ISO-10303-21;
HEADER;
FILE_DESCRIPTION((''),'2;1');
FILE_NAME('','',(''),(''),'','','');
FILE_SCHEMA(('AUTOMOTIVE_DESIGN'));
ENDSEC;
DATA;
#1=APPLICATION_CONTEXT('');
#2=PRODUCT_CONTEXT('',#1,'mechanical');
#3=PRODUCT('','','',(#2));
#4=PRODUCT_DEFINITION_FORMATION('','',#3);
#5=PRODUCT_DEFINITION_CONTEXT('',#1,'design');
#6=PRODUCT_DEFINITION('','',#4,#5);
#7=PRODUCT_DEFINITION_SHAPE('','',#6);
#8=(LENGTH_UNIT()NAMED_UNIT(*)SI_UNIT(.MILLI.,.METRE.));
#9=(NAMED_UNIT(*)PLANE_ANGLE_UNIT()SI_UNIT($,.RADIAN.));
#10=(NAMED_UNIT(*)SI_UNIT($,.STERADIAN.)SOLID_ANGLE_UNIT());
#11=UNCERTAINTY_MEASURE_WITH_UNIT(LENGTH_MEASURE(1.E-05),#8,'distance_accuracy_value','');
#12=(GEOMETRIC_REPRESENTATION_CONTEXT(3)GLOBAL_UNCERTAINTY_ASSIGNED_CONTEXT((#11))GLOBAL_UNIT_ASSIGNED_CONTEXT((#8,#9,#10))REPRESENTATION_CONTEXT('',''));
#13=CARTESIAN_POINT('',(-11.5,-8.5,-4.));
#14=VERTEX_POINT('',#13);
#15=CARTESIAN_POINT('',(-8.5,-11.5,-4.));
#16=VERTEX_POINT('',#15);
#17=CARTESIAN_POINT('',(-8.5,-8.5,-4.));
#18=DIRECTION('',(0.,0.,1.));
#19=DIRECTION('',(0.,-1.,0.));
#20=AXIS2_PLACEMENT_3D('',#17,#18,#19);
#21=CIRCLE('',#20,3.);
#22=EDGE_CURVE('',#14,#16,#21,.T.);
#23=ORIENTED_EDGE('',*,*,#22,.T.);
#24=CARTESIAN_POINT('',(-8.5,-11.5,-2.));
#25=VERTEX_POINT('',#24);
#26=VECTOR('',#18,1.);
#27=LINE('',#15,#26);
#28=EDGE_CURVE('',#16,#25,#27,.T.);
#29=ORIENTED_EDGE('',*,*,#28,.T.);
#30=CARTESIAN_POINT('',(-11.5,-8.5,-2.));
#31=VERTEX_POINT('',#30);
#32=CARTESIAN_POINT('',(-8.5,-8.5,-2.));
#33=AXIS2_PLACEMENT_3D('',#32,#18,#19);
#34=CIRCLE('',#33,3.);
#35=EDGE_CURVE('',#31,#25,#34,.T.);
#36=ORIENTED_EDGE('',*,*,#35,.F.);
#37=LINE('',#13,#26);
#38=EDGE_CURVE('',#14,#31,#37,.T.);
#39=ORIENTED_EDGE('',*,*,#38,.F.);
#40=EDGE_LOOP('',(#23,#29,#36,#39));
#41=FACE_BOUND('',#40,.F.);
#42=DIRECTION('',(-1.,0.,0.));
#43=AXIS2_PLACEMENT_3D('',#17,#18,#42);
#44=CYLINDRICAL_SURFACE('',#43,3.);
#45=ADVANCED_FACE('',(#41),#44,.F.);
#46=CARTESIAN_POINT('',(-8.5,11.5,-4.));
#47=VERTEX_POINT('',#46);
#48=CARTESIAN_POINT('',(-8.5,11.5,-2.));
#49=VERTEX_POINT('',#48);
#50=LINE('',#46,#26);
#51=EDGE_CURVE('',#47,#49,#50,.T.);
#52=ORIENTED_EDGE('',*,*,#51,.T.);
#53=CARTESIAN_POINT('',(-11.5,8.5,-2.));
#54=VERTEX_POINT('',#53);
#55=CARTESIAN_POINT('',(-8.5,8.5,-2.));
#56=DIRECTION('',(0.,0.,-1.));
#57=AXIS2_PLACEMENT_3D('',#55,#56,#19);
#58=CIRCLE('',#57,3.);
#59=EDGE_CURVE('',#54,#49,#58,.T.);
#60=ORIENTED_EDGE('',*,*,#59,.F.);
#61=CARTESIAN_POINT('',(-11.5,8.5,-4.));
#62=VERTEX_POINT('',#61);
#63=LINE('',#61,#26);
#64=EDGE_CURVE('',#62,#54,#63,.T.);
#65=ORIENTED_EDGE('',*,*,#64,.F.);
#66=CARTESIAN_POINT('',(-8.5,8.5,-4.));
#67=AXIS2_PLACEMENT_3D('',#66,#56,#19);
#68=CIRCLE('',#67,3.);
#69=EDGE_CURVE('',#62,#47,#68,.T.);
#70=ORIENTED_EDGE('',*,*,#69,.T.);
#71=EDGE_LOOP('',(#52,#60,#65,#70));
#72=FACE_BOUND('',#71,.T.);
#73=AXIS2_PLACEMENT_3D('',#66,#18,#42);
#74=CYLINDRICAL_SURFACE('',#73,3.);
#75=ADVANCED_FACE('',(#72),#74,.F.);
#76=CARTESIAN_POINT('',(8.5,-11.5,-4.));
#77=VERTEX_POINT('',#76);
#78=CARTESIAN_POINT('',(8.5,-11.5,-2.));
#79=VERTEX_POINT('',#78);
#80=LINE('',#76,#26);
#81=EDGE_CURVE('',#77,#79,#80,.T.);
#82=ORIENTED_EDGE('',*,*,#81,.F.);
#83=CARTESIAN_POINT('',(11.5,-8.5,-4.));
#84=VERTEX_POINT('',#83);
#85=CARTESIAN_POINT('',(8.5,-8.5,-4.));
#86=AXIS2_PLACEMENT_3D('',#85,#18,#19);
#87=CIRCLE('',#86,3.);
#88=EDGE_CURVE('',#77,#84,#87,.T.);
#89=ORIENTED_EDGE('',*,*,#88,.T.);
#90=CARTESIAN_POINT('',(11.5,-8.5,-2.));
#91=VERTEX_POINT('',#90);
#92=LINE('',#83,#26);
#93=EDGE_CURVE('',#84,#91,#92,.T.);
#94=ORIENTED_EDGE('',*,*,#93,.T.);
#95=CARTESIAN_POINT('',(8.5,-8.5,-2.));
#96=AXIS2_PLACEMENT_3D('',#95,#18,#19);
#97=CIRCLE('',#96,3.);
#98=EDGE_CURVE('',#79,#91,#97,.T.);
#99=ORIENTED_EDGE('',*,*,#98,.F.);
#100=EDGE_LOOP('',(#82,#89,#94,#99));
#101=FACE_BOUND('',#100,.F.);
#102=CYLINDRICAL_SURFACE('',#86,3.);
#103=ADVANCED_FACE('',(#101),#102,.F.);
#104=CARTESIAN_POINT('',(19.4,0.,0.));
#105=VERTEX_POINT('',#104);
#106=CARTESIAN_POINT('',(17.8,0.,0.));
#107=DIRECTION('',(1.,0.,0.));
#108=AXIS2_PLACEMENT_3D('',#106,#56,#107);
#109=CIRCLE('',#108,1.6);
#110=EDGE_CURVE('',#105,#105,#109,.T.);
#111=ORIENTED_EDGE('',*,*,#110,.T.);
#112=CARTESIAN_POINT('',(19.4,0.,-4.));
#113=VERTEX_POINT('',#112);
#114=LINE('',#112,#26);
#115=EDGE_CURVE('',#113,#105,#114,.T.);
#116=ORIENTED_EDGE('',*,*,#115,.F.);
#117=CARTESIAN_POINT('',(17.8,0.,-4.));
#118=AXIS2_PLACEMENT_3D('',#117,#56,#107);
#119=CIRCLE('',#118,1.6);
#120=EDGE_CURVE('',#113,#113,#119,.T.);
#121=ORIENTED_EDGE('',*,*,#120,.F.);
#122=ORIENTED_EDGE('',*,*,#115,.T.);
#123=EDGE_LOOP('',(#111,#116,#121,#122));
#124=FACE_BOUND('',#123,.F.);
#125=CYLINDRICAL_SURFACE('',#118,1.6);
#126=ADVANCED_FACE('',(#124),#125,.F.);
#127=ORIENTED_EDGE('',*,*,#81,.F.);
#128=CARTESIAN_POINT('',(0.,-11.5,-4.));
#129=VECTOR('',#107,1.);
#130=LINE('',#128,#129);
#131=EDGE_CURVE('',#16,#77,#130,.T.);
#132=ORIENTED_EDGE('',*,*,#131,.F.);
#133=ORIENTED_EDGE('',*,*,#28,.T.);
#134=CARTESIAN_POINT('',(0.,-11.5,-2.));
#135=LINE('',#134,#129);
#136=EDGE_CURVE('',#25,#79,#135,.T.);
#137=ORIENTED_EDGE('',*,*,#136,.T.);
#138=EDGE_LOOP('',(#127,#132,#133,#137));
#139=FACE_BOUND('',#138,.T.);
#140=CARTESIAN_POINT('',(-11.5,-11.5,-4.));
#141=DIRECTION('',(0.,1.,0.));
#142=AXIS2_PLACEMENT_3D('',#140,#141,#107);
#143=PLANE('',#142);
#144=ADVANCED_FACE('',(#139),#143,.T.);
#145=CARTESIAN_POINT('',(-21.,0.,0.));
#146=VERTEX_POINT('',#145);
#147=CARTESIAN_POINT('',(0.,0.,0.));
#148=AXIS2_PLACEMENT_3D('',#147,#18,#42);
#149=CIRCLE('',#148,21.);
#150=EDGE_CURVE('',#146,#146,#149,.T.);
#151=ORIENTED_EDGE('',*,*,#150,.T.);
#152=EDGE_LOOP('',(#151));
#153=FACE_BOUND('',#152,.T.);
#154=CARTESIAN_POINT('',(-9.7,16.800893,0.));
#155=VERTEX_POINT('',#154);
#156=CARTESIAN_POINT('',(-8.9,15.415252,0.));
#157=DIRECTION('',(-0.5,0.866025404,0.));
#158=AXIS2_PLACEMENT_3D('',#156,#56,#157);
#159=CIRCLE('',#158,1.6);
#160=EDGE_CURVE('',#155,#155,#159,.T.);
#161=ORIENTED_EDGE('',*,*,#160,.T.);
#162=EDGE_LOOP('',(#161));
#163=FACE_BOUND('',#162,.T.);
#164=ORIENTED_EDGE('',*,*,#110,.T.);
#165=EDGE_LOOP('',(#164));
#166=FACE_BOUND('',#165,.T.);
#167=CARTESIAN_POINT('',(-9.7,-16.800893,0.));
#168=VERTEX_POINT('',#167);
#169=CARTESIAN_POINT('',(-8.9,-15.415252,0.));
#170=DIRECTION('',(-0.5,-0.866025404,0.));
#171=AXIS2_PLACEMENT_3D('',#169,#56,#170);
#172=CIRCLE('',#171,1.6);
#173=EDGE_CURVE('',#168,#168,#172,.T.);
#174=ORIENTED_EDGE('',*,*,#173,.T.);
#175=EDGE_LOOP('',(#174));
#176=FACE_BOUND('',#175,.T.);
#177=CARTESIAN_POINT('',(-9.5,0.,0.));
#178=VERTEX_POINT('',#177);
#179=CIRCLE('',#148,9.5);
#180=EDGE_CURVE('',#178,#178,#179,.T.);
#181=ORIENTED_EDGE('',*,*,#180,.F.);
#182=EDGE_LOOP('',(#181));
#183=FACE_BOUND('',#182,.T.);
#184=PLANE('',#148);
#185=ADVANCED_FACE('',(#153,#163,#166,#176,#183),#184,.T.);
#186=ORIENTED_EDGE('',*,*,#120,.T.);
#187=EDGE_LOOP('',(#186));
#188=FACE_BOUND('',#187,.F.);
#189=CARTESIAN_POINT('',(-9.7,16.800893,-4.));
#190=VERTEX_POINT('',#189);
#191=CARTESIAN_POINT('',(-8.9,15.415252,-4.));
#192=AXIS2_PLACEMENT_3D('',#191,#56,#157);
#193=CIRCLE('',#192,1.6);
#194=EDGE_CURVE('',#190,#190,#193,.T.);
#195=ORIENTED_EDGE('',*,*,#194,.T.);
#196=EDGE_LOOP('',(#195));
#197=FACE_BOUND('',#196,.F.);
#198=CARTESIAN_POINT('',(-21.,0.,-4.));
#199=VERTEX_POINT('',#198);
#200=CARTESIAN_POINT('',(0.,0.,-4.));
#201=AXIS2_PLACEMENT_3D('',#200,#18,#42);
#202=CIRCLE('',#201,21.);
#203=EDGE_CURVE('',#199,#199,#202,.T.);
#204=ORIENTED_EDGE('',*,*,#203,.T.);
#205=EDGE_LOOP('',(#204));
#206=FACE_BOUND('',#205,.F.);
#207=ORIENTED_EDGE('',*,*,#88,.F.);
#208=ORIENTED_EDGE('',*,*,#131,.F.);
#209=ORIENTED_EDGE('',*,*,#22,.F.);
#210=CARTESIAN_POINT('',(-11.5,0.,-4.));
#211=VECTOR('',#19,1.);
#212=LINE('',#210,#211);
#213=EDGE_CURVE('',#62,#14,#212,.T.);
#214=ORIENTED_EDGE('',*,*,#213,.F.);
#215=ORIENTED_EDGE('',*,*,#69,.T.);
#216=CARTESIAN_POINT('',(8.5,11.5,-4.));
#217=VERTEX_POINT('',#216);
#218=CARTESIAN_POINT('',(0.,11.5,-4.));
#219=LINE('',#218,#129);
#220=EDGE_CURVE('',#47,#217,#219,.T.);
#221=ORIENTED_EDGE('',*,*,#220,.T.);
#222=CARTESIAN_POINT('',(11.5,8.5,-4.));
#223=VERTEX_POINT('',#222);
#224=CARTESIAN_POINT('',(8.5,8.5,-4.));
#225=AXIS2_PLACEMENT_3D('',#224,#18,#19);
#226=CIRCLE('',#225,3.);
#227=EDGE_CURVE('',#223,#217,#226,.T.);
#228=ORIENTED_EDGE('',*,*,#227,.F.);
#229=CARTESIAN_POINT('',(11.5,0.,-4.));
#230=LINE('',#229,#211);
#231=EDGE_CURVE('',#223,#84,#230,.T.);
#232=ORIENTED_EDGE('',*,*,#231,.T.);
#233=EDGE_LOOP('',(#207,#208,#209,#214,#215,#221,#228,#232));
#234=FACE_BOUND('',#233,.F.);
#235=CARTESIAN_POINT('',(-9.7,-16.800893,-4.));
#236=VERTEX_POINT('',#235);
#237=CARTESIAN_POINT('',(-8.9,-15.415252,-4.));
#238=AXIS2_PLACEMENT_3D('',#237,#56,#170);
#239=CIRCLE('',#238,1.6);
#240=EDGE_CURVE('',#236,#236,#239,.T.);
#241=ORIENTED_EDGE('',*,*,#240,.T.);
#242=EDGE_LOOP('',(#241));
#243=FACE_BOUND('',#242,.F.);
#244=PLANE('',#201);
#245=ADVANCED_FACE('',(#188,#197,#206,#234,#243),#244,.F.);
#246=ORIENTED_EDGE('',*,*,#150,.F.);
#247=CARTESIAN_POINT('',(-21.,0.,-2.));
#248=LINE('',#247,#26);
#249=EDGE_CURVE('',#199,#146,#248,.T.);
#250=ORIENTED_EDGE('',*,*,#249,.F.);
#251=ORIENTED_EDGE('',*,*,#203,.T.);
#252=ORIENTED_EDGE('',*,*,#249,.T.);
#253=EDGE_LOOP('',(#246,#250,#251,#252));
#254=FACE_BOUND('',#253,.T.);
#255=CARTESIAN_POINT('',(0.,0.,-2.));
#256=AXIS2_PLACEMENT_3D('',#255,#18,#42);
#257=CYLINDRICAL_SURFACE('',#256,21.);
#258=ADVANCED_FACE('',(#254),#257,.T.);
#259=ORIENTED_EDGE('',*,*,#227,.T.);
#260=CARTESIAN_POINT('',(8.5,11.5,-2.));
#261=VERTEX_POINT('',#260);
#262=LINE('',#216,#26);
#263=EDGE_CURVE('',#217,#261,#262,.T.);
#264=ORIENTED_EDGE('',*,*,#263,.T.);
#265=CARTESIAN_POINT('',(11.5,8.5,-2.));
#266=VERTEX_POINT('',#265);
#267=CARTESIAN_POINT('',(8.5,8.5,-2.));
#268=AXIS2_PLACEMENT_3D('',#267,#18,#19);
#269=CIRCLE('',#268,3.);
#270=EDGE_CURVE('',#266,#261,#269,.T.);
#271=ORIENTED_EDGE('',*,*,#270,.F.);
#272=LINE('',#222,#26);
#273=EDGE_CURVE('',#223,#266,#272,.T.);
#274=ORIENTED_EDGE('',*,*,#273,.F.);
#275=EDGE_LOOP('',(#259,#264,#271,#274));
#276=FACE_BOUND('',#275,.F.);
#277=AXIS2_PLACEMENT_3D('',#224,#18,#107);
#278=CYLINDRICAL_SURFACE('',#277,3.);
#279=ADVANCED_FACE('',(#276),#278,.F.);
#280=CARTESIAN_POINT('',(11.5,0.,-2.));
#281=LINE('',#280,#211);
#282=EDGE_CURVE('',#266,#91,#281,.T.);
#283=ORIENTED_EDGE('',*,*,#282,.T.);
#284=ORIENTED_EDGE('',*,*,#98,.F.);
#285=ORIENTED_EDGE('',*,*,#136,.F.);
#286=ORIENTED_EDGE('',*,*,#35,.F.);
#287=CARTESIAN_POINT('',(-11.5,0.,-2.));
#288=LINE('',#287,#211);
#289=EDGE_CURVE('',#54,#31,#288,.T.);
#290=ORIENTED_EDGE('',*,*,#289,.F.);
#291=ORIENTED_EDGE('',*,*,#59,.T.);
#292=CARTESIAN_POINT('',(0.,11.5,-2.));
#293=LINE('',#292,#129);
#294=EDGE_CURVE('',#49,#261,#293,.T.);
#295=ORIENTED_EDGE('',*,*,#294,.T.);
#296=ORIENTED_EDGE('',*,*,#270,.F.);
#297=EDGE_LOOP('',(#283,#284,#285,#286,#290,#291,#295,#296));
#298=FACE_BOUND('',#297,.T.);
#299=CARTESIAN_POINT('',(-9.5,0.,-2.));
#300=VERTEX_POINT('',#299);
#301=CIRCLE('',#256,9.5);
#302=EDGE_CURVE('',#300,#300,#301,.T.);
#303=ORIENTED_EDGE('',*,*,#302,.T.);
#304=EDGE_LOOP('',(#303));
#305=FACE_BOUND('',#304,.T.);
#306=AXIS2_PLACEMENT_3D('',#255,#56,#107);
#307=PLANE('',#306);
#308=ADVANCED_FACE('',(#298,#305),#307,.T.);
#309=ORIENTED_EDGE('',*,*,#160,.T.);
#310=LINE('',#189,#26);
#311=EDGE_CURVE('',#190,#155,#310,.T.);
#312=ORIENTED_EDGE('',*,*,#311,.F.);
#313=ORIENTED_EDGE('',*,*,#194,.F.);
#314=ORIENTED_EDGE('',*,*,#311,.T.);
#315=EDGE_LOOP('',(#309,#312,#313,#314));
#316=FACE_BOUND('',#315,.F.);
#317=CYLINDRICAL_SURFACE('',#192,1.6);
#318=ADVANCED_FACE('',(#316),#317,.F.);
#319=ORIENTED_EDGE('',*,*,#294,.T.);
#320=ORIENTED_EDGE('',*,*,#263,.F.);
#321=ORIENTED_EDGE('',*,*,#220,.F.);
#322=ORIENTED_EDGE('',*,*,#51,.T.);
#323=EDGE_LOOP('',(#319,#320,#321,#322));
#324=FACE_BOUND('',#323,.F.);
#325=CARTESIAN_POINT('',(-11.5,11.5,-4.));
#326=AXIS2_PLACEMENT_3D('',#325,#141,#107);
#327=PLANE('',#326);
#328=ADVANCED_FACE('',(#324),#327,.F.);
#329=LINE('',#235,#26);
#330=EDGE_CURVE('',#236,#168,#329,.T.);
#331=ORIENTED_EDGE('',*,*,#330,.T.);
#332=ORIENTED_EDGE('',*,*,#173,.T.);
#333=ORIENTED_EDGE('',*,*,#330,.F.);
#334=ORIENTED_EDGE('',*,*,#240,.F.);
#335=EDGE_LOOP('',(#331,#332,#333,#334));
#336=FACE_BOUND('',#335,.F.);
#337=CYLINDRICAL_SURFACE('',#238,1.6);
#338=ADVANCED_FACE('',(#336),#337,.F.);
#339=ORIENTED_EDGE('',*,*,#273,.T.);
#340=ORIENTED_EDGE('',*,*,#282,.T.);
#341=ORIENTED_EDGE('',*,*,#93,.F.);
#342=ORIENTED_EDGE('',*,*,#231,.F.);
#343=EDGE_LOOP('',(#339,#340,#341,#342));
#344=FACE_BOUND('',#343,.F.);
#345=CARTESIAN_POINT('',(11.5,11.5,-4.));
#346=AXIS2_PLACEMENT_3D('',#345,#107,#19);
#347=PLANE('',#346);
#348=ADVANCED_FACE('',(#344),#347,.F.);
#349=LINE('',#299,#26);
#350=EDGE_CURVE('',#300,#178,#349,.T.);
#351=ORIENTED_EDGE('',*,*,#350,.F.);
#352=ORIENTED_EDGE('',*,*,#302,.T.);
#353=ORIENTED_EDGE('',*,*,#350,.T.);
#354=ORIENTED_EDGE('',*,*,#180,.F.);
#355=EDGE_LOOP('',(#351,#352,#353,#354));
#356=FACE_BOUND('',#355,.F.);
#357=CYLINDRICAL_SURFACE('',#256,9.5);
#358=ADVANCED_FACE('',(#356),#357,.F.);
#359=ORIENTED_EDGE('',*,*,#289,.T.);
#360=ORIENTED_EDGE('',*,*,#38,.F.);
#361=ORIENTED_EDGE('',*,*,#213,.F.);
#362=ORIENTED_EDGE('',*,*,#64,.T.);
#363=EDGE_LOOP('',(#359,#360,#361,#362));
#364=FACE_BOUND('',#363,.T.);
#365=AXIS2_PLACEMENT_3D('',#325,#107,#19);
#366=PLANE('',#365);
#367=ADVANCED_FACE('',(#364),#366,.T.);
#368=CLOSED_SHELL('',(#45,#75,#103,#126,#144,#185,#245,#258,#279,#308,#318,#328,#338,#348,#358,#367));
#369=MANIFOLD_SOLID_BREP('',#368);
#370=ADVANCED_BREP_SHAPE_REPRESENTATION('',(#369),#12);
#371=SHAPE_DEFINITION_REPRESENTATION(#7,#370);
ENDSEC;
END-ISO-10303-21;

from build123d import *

# Parameters (mm, degrees)
SKETCH001_W           = 11.5
SKETCH001_H           = 4
SKETCH002_W           = 23
SKETCH002_H           = 23
POCKET_DEPTH          = 2
FILLET_R              = 3
SKETCH008_R           = 1.6
POCKET004_DEPTH       = 123.064009
POLARPATTERN001_COUNT = 3


with BuildPart() as part:
    # Sketch001 → Revolution001 (revolve)
    with BuildSketch(Plane.XZ):
        with Locations((-15.25, -2)):
            Rectangle(SKETCH001_W, SKETCH001_H)
    revolve(axis=Axis((0, 0, 0), (0, 0, 1)))

    # Sketch002 (on Face3 of Revolution001) → Pocket (cut)
    with BuildSketch(Plane(origin=(0, 0, -4), x_dir=(1, 0, 0), z_dir=(0, 0, -1))):
        Rectangle(SKETCH002_W, SKETCH002_H)
    extrude(amount=-POCKET_DEPTH, mode=Mode.SUBTRACT)

    # Fillet
    fillet_edges = [part.edges().sort_by_distance(p)[0] for p in [
        (-11.5, 11.5, -3),
        (11.5, 11.5, -3),
        (11.5, -11.5, -3),
        (-11.5, -11.5, -3),
    ]]
    fillet(fillet_edges, radius=FILLET_R)

    # Sketch008 → Pocket004 (cut, through all)
    with BuildSketch(Plane(origin=(0, 0, -4), x_dir=(1, 0, 0), z_dir=(0, 0, -1))):
        with Locations((17.8, 0)):
            Circle(SKETCH008_R)
    pocket004 = extrude(amount=-POCKET004_DEPTH, mode=Mode.SUBTRACT)

    # PolarPattern001: Pocket004 ×3 about axis
    polarpattern001_axis = Axis((0, 0, -4), (0, 0, -1))
    for i in range(1, POLARPATTERN001_COUNT):
        add(pocket004.rotate(polarpattern001_axis, i * 360 / POLARPATTERN001_COUNT), mode=Mode.SUBTRACT)


solid = part.part
